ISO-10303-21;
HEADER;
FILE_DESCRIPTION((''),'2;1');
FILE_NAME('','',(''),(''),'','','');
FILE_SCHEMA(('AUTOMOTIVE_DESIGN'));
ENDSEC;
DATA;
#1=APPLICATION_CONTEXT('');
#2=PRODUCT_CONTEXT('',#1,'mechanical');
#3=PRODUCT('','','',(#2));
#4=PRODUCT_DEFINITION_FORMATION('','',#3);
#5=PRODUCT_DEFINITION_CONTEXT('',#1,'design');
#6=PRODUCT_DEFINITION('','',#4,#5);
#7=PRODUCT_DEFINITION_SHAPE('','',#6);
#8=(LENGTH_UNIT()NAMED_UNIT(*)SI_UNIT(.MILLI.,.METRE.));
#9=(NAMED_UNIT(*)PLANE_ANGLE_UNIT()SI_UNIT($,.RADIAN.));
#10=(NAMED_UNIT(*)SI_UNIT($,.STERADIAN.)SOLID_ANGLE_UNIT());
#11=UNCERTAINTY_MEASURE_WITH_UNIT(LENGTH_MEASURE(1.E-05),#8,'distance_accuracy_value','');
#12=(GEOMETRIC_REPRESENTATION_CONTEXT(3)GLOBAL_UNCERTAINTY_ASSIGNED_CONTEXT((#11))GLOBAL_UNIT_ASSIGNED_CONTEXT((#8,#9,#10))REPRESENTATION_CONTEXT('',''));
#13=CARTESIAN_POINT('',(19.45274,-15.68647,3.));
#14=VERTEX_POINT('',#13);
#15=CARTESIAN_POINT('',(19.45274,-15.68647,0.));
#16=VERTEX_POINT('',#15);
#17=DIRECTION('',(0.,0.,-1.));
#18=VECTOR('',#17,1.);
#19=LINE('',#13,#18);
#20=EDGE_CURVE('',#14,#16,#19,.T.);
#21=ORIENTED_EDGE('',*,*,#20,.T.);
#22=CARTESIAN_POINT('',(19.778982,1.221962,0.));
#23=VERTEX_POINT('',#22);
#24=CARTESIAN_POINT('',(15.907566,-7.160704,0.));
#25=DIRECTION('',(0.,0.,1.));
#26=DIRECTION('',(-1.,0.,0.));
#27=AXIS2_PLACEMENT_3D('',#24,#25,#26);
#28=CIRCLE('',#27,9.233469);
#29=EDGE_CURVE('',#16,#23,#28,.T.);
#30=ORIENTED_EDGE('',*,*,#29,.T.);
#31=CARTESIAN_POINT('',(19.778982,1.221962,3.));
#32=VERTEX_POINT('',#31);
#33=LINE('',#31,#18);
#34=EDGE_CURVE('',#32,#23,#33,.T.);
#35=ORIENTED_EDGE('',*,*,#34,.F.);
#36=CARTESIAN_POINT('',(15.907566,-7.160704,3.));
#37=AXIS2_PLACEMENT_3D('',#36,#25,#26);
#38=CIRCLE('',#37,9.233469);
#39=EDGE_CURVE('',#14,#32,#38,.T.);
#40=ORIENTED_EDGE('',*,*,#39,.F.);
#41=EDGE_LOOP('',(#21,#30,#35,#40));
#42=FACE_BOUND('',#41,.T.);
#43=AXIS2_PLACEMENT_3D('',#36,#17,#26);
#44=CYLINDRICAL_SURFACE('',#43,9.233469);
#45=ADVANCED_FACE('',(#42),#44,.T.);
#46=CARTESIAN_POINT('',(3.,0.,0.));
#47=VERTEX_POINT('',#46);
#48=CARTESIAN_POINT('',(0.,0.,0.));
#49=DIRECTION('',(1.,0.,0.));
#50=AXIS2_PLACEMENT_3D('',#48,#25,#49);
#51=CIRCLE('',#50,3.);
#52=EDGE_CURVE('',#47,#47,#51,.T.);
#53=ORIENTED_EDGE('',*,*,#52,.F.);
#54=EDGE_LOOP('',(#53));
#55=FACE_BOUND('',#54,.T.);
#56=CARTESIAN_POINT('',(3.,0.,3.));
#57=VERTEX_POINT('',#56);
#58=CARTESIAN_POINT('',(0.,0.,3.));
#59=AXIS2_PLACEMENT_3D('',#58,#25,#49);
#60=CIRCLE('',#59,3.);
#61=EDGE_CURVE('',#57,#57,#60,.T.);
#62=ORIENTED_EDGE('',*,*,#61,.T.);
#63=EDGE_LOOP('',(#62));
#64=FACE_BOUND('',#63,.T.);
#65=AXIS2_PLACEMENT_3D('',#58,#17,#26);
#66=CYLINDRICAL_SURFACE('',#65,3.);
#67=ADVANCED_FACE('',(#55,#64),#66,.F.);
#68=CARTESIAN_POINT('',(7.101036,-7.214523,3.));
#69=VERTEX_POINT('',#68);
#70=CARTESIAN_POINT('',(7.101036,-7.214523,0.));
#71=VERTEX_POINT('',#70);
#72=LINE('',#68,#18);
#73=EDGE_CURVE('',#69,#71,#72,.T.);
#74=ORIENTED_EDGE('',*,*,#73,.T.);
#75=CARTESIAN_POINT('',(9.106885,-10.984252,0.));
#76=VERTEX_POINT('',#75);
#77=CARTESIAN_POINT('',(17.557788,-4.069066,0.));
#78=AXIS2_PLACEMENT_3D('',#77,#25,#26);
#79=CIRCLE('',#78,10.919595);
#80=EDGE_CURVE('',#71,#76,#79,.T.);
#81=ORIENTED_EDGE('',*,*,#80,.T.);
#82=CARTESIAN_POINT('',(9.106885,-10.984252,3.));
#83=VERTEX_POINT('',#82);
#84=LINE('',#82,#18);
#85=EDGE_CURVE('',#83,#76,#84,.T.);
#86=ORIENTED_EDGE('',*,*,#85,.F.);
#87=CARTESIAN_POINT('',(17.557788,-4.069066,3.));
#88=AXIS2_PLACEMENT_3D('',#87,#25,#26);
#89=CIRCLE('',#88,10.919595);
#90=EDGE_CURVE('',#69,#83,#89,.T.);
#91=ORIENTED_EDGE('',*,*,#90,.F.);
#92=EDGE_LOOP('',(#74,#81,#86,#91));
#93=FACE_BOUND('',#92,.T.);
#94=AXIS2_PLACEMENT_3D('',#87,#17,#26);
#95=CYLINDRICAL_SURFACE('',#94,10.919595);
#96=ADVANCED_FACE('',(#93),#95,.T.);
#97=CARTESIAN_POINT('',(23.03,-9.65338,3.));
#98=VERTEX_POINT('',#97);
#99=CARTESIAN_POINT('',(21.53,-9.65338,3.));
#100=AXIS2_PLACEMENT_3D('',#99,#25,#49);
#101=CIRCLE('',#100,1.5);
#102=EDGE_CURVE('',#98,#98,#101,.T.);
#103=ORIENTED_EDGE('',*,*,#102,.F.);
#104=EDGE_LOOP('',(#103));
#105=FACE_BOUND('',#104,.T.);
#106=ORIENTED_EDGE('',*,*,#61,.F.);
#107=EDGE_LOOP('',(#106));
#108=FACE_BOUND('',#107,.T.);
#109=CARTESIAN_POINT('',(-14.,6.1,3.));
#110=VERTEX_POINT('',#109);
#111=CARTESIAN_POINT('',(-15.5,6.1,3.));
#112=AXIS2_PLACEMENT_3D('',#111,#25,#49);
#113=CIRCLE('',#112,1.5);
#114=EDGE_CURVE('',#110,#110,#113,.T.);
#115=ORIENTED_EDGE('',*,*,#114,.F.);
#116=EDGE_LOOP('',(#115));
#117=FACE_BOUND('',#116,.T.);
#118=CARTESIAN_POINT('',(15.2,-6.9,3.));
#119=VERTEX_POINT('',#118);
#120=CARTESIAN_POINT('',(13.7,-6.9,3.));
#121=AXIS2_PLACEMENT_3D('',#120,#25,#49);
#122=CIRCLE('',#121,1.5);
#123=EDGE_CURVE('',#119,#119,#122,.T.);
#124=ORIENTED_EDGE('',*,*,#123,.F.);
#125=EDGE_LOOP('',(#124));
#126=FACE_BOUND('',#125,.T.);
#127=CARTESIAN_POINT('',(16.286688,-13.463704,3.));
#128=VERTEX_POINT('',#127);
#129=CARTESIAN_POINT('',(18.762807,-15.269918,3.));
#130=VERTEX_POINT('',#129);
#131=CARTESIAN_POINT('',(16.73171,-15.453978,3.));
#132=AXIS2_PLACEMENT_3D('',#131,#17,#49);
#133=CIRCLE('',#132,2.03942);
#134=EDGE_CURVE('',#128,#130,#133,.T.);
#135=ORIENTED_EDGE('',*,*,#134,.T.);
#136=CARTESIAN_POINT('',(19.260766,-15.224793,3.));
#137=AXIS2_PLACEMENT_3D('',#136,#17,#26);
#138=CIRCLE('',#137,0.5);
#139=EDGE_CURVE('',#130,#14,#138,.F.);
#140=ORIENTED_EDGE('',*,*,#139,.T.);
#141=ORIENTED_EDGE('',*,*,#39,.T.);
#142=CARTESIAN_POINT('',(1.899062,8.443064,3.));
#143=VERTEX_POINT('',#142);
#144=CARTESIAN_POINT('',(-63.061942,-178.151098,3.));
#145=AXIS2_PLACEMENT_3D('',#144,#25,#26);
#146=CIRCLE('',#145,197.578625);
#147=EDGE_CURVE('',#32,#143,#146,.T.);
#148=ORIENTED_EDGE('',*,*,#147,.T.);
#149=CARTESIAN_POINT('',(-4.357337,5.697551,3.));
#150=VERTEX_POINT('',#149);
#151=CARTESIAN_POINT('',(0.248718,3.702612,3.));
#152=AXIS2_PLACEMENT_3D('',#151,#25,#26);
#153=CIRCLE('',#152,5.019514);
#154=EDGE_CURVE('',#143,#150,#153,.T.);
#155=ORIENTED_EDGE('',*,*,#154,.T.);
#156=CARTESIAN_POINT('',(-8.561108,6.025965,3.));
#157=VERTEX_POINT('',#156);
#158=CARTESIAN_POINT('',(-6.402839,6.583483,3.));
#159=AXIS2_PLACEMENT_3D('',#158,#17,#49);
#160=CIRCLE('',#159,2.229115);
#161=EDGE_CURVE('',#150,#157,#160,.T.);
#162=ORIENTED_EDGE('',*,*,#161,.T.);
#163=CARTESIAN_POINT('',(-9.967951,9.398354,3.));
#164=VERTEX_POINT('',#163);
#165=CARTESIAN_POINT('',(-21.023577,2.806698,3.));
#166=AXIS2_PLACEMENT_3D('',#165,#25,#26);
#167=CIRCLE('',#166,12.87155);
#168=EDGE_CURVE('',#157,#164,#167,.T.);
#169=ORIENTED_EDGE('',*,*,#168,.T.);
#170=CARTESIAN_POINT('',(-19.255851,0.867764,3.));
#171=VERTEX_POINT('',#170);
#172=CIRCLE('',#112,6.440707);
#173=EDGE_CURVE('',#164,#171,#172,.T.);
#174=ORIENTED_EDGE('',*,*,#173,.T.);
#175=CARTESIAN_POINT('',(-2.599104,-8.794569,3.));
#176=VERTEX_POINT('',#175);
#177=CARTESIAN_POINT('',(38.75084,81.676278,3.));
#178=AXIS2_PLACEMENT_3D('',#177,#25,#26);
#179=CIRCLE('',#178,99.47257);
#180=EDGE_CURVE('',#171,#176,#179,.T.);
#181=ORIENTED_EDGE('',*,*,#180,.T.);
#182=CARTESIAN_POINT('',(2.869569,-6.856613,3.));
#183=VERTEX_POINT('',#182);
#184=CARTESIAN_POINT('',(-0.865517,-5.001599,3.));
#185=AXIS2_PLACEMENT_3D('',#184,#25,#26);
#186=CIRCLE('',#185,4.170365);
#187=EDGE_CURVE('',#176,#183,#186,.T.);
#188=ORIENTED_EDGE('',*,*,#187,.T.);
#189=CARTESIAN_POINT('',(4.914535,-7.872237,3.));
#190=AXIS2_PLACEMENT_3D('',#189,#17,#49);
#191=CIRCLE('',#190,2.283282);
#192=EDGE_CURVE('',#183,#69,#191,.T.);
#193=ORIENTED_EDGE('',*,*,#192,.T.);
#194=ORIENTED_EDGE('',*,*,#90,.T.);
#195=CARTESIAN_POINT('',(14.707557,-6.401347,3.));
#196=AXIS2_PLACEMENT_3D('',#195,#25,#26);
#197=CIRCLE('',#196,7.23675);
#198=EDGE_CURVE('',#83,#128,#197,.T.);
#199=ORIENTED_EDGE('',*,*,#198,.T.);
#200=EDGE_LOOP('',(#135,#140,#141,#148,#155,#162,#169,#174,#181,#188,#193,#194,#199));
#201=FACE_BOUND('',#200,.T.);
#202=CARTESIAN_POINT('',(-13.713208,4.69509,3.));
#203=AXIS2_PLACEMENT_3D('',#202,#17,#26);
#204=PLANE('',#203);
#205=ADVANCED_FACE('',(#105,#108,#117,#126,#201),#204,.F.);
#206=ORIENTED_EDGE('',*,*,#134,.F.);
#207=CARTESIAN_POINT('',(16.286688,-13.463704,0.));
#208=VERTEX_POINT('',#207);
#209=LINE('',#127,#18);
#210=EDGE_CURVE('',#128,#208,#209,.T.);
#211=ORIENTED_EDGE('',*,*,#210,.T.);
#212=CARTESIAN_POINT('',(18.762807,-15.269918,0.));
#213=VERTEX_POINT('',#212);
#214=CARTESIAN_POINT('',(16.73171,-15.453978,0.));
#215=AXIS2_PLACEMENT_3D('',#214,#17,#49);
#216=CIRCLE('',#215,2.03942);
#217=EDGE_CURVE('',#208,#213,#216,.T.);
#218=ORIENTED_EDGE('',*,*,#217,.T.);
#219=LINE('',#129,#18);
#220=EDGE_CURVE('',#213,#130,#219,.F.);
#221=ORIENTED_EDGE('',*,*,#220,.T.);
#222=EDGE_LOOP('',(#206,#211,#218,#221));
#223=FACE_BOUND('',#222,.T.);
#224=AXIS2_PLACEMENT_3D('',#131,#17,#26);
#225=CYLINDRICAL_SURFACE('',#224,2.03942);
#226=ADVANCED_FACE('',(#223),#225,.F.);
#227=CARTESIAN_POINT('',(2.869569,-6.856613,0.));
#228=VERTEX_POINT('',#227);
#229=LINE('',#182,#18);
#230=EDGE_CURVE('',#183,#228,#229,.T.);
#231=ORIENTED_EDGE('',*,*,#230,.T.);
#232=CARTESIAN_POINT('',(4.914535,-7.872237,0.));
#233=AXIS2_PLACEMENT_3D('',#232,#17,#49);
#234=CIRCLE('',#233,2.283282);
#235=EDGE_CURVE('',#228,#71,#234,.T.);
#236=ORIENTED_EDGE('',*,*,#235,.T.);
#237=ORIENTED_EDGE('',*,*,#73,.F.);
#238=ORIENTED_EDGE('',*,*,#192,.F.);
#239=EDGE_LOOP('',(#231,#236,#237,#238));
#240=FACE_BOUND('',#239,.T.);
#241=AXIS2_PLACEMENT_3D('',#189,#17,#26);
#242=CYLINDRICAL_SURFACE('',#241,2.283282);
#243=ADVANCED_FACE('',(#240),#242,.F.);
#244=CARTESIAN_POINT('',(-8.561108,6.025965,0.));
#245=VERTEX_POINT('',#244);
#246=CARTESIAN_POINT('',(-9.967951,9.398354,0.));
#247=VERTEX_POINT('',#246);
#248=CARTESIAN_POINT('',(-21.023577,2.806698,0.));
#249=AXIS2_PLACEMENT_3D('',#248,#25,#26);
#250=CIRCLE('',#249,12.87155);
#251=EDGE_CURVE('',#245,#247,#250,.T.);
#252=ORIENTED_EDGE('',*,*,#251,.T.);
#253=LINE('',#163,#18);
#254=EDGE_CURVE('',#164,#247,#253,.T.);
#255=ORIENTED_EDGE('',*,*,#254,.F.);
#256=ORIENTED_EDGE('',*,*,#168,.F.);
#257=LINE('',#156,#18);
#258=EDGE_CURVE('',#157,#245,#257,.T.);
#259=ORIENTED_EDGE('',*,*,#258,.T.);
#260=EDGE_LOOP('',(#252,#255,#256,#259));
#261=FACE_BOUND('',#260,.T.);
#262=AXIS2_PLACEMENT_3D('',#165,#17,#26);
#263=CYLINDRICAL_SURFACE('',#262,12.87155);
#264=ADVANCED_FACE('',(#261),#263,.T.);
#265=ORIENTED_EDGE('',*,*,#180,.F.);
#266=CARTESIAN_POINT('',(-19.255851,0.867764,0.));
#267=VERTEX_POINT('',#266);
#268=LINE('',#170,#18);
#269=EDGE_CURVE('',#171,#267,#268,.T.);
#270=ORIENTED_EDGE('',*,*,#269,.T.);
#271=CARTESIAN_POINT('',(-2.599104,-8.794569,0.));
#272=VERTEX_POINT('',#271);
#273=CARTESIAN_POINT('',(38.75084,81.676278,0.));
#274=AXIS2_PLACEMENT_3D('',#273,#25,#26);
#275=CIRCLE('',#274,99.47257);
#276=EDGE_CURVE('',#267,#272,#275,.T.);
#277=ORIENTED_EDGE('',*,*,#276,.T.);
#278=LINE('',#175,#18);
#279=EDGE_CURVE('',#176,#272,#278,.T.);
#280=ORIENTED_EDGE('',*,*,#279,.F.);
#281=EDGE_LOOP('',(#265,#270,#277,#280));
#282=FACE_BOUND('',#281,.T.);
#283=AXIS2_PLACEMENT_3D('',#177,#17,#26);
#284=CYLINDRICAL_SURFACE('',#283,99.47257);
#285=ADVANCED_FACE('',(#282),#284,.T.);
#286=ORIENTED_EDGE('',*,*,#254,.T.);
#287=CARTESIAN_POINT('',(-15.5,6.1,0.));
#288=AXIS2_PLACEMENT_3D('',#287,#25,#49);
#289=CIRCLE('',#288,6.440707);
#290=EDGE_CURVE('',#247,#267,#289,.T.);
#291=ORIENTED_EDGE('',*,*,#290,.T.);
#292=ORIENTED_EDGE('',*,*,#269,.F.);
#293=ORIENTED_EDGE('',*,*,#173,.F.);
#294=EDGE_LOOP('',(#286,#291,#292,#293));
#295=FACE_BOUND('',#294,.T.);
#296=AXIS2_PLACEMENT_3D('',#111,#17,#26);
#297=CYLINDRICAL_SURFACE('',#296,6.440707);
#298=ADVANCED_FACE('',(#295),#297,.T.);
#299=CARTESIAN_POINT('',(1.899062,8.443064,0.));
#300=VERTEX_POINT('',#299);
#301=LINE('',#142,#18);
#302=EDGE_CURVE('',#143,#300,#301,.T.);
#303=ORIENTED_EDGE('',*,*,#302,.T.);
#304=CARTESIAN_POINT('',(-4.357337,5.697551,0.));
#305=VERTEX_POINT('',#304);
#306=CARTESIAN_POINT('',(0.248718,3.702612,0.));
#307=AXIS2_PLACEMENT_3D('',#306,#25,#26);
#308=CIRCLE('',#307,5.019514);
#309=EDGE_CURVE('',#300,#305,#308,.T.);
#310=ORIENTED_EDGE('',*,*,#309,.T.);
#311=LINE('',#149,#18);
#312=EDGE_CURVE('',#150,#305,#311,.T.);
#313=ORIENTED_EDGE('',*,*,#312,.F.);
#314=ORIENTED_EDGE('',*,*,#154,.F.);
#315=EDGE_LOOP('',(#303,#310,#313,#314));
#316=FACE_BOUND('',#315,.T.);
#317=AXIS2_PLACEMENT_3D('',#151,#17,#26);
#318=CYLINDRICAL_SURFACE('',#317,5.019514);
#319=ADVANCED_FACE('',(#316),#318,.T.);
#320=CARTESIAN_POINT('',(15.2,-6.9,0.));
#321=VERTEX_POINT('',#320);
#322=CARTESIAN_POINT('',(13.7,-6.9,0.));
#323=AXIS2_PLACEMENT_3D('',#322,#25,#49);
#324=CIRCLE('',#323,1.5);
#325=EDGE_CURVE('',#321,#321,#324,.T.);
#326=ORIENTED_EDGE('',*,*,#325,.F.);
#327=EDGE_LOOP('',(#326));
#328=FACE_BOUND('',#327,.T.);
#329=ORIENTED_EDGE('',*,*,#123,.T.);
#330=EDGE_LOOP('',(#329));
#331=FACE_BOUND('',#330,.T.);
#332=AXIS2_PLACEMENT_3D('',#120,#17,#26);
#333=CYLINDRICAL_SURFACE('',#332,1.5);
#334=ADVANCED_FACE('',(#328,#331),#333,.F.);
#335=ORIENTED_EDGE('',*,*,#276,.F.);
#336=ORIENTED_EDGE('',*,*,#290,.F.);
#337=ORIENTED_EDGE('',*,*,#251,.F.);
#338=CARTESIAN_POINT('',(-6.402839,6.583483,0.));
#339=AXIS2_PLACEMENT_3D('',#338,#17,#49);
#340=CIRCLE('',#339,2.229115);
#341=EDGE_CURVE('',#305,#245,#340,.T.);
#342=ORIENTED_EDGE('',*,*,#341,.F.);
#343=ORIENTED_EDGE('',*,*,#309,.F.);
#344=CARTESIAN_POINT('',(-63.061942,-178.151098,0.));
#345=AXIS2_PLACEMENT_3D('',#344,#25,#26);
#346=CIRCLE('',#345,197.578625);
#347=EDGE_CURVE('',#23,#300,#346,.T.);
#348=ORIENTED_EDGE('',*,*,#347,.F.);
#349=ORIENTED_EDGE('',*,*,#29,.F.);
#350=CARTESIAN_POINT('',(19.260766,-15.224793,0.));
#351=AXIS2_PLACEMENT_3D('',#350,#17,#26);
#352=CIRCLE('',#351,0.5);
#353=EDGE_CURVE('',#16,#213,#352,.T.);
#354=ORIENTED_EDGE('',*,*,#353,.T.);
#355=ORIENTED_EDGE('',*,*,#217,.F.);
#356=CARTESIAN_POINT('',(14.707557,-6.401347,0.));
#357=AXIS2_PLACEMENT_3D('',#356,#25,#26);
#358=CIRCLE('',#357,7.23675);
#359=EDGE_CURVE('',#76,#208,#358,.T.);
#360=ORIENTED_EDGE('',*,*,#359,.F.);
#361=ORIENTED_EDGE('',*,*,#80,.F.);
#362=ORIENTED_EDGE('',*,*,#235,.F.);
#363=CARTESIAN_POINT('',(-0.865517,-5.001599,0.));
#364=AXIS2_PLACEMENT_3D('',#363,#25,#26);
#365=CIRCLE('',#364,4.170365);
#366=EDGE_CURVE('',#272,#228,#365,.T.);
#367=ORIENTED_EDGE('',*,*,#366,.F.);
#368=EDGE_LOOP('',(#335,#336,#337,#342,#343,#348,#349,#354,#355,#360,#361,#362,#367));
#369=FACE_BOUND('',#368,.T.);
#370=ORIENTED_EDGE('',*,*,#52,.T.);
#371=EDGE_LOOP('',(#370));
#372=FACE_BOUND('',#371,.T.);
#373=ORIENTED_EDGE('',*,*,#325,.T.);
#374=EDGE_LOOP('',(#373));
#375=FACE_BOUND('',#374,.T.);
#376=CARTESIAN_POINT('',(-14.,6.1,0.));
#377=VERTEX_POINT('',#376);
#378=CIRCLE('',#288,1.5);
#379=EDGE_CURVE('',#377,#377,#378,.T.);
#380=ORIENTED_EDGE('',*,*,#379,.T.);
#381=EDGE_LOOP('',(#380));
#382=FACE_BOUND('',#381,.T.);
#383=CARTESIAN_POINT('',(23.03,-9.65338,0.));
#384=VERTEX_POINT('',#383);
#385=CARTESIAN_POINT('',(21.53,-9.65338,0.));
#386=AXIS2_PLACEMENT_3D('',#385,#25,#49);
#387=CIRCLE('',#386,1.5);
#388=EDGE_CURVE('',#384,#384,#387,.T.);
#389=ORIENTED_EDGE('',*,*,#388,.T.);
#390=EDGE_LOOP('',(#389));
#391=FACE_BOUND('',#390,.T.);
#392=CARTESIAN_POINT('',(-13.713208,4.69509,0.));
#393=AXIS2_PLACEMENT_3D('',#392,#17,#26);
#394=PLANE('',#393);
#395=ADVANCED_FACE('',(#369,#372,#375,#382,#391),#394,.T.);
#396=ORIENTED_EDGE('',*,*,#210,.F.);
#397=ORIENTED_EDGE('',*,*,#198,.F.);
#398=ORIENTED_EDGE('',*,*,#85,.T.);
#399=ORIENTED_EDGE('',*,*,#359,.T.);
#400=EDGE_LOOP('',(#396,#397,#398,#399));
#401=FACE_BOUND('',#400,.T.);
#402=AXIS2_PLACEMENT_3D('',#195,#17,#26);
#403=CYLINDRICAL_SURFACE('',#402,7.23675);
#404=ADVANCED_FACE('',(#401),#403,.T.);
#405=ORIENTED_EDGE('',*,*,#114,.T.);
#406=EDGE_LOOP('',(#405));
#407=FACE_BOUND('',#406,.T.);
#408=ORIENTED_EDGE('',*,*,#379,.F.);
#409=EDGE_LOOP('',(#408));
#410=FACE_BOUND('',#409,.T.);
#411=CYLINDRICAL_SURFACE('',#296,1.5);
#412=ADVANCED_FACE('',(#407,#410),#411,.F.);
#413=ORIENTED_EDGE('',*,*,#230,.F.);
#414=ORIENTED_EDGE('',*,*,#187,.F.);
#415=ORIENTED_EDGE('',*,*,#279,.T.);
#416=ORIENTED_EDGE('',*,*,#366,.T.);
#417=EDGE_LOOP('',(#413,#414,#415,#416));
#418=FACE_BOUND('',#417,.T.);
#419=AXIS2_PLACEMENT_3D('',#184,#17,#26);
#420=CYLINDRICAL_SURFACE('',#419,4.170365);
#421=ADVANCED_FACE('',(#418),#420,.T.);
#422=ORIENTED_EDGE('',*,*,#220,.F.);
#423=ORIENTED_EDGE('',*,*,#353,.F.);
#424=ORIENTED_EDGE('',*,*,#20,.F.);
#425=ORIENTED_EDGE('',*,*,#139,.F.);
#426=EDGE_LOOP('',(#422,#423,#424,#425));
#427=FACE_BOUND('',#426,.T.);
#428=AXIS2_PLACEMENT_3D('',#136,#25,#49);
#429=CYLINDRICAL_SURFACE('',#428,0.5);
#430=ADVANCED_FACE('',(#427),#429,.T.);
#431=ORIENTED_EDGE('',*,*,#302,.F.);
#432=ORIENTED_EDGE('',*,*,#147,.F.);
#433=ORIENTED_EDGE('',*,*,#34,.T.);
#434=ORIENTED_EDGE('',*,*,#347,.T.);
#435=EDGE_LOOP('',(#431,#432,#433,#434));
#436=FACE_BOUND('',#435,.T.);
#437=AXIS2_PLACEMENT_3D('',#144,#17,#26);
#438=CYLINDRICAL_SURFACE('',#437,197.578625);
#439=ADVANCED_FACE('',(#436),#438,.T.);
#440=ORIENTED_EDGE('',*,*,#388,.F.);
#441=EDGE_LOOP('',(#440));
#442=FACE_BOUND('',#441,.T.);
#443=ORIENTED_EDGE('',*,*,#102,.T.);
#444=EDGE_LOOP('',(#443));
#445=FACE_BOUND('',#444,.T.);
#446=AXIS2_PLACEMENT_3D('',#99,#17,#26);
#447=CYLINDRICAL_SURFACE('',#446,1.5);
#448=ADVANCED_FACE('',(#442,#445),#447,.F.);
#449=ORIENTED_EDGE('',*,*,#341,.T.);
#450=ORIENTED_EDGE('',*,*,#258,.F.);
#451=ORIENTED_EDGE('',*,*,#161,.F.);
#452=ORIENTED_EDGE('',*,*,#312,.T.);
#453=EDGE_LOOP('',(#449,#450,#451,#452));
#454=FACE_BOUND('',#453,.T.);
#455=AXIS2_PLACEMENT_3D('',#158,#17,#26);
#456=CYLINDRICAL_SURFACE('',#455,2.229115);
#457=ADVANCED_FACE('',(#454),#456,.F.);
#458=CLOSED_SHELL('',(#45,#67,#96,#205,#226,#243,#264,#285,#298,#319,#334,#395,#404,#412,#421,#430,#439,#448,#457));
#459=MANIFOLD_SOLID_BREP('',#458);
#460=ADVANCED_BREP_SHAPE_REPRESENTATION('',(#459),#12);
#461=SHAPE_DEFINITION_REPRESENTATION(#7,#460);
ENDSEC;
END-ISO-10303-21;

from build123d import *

# Parameters (mm, degrees)
ESQUISSE1_R        = 3
ESQUISSE1_R_2      = 1.5
BOSS_EXTRU_1_DEPTH = 3
CONG_1_R           = 0.5


with BuildPart() as part:
    # Esquisse1 → Boss.-Extru.1 (new body)
    with BuildSketch(Plane.XY):
        with BuildLine():
            ThreePointArc((-9.967950619, 9.398353751), (-19.856771897, 10.843547876), (-19.255850538, 0.867763905))
            ThreePointArc((-19.255850538, 0.867763905), (-11.16183771, -4.367412674), (-2.599104383, -8.794569261))
            ThreePointArc((-2.599104383, -8.794569261), (0.527471635, -8.932442445), (2.869569032, -6.856613359))
            ThreePointArc((2.869569032, -6.856613359), (5.106974254, -5.597078916), (7.101036237, -7.214523181))
            ThreePointArc((7.101036237, -7.214523181), (7.91789358, -9.198392931), (9.106885228, -10.984252378))
            ThreePointArc((9.106885228, -10.984252378), (12.345329643, -13.241699917), (16.286687996, -13.463704315))
            ThreePointArc((16.286687996, -13.463704315), (18.195594291, -14.034021941), (18.707504902, -15.959413581))
            ThreePointArc((18.707504902, -15.959413581), (25.123132348, -7.73541187), (19.778982477, 1.22196173))
            ThreePointArc((19.778982477, 1.22196173), (10.927169302, 5.05077079), (1.899061951, 8.443063964))
            ThreePointArc((1.899061951, 8.443063964), (-1.768338506, 8.299023868), (-4.357336538, 5.697550659))
            ThreePointArc((-4.357336538, 5.697550659), (-6.576456411, 4.361139029), (-8.561108443, 6.025964956))
            ThreePointArc((-8.561108443, 6.025964956), (-9.144248361, 7.762336434), (-9.967950619, 9.398353751))
        make_face()
        Circle(ESQUISSE1_R, mode=Mode.SUBTRACT)
        with Locations((-15.5, 6.1)):
            Circle(ESQUISSE1_R_2, mode=Mode.SUBTRACT)
        with Locations((13.7, -6.9)):
            Circle(ESQUISSE1_R_2, mode=Mode.SUBTRACT)
        with Locations((21.53, -9.653379741)):
            Circle(ESQUISSE1_R_2, mode=Mode.SUBTRACT)
    extrude(amount=BOSS_EXTRU_1_DEPTH)

    # Congé1
    cong_1_edges = [part.edges().sort_by_distance(p)[0] for p in [
        (18.707504902, -15.959413581, 1.5),
    ]]
    fillet(cong_1_edges, radius=CONG_1_R)


solid = part.part
